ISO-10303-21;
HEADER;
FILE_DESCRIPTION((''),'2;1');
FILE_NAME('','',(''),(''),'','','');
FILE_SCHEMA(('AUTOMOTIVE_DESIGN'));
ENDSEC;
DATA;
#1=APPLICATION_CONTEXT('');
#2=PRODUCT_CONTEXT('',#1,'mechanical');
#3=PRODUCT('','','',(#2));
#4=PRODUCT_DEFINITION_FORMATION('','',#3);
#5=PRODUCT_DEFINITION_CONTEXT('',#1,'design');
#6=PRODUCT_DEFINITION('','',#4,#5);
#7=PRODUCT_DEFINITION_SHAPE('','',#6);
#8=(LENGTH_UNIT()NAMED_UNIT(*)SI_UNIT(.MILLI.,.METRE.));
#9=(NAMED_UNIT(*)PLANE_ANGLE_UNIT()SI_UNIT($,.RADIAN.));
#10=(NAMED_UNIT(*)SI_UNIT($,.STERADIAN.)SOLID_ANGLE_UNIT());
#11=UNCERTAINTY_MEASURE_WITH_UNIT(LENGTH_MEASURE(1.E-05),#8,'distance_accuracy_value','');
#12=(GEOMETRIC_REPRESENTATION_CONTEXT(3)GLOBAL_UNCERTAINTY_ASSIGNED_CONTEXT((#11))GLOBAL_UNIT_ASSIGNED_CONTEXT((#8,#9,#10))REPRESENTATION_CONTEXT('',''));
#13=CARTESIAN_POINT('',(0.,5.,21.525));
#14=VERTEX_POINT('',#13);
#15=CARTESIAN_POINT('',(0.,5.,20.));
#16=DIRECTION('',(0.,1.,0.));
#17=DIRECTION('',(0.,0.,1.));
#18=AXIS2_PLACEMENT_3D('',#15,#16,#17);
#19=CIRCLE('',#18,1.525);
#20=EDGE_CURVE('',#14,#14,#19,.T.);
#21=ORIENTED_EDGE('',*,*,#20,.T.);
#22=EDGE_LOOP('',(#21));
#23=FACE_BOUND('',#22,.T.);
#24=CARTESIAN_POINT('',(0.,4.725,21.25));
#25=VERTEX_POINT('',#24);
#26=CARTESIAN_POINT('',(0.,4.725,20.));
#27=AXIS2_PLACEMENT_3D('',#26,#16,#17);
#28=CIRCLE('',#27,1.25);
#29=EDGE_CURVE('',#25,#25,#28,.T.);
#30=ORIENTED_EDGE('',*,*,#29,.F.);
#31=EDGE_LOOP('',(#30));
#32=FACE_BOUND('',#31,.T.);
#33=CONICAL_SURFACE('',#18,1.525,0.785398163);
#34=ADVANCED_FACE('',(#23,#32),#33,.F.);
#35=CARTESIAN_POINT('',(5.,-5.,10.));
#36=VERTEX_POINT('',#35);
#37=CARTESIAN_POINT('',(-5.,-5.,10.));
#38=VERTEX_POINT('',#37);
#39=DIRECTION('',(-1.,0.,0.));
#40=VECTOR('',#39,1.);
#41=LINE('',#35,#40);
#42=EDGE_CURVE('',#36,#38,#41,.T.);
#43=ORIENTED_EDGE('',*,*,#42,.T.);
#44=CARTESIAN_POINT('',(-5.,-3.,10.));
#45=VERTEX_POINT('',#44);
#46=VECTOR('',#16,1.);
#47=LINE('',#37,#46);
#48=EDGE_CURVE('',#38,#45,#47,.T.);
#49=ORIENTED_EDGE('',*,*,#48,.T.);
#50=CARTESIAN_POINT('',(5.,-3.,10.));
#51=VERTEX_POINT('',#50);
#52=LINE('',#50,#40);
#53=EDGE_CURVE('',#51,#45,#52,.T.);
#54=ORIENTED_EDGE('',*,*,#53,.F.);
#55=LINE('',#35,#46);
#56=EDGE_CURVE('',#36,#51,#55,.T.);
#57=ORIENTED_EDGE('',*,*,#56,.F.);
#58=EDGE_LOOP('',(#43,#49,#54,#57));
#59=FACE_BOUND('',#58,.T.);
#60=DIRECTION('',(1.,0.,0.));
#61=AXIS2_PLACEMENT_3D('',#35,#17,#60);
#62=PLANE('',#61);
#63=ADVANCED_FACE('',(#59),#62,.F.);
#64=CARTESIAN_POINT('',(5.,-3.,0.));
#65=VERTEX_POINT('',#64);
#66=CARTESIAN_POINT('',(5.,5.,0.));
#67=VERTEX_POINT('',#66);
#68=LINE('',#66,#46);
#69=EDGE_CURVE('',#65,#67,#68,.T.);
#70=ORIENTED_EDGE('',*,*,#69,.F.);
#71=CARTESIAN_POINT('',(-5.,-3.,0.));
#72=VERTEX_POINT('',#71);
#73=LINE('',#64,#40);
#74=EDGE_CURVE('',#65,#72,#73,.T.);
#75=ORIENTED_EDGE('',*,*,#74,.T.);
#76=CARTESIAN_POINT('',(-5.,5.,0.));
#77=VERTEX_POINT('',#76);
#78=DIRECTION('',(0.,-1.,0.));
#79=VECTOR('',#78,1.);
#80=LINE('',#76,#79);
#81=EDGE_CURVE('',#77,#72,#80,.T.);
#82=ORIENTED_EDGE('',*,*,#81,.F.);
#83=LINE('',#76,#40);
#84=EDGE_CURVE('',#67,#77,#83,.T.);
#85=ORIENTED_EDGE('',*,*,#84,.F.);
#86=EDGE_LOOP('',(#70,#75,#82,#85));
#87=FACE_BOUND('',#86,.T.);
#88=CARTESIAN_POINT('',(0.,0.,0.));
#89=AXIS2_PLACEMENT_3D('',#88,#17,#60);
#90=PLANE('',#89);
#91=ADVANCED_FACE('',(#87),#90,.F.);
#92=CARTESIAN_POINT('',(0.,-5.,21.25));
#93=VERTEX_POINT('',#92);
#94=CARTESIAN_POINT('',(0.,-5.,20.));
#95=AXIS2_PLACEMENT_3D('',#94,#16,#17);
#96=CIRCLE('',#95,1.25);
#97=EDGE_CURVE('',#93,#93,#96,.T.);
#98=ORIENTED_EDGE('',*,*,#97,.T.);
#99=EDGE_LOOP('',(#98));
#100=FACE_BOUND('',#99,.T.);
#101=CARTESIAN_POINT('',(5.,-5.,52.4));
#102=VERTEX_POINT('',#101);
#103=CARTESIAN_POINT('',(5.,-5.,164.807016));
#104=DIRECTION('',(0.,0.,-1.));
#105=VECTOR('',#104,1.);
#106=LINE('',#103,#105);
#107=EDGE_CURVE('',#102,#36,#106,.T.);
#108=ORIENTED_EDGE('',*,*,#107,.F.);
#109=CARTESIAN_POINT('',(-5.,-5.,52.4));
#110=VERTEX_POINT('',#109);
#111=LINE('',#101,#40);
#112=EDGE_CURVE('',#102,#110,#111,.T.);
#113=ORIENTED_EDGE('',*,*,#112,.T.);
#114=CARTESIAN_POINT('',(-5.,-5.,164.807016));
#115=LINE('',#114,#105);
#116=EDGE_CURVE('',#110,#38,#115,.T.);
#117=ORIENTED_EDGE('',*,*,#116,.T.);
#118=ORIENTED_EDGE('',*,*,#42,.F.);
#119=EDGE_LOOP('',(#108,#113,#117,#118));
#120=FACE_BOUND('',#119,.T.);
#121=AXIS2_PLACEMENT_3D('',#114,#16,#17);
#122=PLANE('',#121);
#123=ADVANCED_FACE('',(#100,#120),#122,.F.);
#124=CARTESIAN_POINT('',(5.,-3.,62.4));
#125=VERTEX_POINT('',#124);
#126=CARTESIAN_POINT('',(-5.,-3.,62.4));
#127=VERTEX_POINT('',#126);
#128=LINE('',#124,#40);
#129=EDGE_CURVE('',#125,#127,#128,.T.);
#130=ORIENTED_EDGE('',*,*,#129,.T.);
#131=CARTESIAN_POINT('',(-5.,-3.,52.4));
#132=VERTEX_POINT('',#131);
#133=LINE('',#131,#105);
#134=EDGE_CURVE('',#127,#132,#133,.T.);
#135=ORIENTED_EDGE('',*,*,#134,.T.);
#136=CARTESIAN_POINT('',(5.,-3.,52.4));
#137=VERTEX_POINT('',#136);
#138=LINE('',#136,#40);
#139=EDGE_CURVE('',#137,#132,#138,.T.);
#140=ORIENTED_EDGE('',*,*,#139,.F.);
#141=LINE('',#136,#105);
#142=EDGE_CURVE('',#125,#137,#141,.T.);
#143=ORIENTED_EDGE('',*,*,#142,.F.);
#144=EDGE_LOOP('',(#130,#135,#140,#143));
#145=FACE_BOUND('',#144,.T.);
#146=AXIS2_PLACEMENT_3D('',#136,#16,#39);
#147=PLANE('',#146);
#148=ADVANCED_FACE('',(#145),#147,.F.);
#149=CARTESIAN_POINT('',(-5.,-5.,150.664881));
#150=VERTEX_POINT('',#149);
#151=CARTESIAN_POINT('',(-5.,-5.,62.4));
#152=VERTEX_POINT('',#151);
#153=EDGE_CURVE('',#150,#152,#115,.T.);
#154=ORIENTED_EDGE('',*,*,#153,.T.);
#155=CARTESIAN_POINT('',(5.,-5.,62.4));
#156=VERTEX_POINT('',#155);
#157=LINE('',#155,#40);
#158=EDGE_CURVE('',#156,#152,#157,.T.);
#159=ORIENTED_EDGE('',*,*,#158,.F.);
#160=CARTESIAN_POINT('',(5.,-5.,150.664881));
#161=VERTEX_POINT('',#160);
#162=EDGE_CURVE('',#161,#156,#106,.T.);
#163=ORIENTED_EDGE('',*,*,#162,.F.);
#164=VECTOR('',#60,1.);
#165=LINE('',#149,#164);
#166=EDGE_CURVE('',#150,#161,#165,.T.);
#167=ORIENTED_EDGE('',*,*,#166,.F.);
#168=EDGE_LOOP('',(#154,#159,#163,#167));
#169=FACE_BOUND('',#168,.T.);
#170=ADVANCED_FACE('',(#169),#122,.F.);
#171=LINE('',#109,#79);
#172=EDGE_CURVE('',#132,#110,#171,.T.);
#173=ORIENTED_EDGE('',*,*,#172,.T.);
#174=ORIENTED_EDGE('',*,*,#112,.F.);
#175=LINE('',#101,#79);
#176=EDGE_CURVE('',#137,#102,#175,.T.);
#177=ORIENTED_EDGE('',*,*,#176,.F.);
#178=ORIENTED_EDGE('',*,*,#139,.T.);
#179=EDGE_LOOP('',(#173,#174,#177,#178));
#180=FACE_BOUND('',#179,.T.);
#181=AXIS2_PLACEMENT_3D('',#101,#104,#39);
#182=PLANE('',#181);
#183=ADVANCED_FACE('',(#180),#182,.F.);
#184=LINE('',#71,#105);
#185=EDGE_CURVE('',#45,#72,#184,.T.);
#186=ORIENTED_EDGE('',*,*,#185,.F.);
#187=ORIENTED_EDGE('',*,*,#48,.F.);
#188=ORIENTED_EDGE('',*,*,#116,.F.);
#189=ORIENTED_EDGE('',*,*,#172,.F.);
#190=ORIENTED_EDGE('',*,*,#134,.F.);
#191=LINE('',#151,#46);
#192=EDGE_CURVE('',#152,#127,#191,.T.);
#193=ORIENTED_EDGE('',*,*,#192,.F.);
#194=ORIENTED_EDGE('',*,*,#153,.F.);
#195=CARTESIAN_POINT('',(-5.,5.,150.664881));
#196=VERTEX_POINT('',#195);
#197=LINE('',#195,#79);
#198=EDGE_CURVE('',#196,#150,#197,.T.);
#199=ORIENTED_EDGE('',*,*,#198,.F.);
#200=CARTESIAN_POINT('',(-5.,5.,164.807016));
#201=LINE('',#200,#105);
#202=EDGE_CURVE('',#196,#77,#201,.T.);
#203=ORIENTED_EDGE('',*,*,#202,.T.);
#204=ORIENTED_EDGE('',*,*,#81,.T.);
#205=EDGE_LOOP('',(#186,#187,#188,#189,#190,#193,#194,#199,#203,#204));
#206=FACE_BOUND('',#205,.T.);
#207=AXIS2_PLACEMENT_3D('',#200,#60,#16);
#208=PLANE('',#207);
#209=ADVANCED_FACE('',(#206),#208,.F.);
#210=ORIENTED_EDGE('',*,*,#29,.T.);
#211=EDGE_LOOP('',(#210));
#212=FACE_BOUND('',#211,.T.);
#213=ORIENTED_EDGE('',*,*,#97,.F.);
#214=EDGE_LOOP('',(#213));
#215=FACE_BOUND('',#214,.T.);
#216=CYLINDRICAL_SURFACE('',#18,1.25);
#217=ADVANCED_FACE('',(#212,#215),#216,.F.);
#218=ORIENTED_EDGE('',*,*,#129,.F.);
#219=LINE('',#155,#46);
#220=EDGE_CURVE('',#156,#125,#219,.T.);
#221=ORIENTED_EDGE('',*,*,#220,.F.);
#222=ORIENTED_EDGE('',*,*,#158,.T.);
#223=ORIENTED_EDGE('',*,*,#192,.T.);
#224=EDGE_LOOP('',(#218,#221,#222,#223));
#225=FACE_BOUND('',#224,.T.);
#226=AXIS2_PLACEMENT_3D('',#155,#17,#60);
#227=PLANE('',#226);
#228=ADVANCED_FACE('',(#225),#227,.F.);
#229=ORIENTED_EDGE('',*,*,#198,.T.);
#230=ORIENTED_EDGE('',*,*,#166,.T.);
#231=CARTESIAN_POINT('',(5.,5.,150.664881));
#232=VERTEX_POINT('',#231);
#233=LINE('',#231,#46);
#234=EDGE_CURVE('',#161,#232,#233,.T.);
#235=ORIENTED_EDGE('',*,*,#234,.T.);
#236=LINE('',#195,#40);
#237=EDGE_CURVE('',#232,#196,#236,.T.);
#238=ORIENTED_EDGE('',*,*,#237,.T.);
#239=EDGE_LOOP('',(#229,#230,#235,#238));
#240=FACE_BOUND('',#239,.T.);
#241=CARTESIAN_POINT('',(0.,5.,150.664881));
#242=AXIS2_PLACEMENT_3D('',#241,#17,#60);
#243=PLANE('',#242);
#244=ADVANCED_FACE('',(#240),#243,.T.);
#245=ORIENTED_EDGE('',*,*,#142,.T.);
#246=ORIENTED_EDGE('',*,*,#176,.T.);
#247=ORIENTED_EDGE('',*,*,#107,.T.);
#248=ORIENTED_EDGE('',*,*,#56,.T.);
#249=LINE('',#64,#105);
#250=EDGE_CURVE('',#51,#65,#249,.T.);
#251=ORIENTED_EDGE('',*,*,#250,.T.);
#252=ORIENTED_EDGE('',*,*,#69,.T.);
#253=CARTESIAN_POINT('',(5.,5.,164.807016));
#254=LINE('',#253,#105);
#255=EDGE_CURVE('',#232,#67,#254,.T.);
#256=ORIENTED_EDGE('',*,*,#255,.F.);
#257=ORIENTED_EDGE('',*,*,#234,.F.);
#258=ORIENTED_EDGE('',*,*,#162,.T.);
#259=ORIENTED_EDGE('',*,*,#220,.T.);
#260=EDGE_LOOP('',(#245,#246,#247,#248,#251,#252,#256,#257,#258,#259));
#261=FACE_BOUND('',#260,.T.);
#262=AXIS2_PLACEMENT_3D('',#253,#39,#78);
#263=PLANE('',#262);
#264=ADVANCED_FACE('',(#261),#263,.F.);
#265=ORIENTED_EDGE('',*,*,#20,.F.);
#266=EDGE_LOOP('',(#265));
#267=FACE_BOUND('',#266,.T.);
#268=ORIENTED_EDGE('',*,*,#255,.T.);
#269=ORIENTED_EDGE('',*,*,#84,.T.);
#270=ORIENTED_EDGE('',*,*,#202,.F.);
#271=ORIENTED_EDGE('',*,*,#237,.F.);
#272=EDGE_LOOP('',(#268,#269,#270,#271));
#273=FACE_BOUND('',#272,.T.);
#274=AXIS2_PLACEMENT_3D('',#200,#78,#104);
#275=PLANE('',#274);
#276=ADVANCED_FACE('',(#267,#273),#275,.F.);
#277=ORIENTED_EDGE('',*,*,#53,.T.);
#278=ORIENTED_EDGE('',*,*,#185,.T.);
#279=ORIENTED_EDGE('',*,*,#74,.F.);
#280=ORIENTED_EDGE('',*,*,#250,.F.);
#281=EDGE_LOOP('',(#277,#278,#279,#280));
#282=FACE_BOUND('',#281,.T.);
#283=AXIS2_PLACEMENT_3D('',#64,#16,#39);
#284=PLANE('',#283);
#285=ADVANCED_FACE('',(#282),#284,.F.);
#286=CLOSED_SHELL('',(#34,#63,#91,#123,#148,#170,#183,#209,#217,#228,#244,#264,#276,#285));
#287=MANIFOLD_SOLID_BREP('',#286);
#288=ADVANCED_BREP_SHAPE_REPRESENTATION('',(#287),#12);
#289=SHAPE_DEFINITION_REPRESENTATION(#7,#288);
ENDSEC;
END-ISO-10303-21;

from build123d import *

# Parameters (mm, degrees)
ESQUISSE1_W                     = 10
ESQUISSE1_H                     = 10
BOSS_EXTRU_1_DEPTH              = 150.664880645
ESQUISSE2_W                     = 10
ESQUISSE2_H                     = 2
ENL_V_MAT_EXTRU_1_DEPTH         = 152.079139062
TROU_TARAUD_M3X0_51_D           = 2.5
TROU_TARAUD_M3X0_51_CSINK_D     = 3.05
TROU_TARAUD_M3X0_51_CSINK_ANGLE = 90


with BuildPart() as part:
    # Esquisse1 → Boss.-Extru.1 (new body)
    with BuildSketch(Plane.XY):
        Rectangle(ESQUISSE1_W, ESQUISSE1_H)
    extrude(amount=BOSS_EXTRU_1_DEPTH)

    # Esquisse2 → Enlèv. mat.-Extru.1 (cut, through all)
    with BuildSketch(Plane.ZY.offset(5)):
        with Locations((5, -4)):
            Rectangle(ESQUISSE2_W, ESQUISSE2_H)
        with Locations((57.4, -4)):
            Rectangle(ESQUISSE2_W, ESQUISSE2_H)
    extrude(amount=-ENL_V_MAT_EXTRU_1_DEPTH, mode=Mode.SUBTRACT)

    # Trou taraudé M3x0.51 (through all)
    with Locations(Plane(origin=(0, 5, 0), x_dir=(1, 0, 0), z_dir=(0, 1, 0))):
        with Locations((0, -20)):
            CounterSinkHole(TROU_TARAUD_M3X0_51_D / 2, TROU_TARAUD_M3X0_51_CSINK_D / 2, counter_sink_angle=TROU_TARAUD_M3X0_51_CSINK_ANGLE)


solid = part.part
